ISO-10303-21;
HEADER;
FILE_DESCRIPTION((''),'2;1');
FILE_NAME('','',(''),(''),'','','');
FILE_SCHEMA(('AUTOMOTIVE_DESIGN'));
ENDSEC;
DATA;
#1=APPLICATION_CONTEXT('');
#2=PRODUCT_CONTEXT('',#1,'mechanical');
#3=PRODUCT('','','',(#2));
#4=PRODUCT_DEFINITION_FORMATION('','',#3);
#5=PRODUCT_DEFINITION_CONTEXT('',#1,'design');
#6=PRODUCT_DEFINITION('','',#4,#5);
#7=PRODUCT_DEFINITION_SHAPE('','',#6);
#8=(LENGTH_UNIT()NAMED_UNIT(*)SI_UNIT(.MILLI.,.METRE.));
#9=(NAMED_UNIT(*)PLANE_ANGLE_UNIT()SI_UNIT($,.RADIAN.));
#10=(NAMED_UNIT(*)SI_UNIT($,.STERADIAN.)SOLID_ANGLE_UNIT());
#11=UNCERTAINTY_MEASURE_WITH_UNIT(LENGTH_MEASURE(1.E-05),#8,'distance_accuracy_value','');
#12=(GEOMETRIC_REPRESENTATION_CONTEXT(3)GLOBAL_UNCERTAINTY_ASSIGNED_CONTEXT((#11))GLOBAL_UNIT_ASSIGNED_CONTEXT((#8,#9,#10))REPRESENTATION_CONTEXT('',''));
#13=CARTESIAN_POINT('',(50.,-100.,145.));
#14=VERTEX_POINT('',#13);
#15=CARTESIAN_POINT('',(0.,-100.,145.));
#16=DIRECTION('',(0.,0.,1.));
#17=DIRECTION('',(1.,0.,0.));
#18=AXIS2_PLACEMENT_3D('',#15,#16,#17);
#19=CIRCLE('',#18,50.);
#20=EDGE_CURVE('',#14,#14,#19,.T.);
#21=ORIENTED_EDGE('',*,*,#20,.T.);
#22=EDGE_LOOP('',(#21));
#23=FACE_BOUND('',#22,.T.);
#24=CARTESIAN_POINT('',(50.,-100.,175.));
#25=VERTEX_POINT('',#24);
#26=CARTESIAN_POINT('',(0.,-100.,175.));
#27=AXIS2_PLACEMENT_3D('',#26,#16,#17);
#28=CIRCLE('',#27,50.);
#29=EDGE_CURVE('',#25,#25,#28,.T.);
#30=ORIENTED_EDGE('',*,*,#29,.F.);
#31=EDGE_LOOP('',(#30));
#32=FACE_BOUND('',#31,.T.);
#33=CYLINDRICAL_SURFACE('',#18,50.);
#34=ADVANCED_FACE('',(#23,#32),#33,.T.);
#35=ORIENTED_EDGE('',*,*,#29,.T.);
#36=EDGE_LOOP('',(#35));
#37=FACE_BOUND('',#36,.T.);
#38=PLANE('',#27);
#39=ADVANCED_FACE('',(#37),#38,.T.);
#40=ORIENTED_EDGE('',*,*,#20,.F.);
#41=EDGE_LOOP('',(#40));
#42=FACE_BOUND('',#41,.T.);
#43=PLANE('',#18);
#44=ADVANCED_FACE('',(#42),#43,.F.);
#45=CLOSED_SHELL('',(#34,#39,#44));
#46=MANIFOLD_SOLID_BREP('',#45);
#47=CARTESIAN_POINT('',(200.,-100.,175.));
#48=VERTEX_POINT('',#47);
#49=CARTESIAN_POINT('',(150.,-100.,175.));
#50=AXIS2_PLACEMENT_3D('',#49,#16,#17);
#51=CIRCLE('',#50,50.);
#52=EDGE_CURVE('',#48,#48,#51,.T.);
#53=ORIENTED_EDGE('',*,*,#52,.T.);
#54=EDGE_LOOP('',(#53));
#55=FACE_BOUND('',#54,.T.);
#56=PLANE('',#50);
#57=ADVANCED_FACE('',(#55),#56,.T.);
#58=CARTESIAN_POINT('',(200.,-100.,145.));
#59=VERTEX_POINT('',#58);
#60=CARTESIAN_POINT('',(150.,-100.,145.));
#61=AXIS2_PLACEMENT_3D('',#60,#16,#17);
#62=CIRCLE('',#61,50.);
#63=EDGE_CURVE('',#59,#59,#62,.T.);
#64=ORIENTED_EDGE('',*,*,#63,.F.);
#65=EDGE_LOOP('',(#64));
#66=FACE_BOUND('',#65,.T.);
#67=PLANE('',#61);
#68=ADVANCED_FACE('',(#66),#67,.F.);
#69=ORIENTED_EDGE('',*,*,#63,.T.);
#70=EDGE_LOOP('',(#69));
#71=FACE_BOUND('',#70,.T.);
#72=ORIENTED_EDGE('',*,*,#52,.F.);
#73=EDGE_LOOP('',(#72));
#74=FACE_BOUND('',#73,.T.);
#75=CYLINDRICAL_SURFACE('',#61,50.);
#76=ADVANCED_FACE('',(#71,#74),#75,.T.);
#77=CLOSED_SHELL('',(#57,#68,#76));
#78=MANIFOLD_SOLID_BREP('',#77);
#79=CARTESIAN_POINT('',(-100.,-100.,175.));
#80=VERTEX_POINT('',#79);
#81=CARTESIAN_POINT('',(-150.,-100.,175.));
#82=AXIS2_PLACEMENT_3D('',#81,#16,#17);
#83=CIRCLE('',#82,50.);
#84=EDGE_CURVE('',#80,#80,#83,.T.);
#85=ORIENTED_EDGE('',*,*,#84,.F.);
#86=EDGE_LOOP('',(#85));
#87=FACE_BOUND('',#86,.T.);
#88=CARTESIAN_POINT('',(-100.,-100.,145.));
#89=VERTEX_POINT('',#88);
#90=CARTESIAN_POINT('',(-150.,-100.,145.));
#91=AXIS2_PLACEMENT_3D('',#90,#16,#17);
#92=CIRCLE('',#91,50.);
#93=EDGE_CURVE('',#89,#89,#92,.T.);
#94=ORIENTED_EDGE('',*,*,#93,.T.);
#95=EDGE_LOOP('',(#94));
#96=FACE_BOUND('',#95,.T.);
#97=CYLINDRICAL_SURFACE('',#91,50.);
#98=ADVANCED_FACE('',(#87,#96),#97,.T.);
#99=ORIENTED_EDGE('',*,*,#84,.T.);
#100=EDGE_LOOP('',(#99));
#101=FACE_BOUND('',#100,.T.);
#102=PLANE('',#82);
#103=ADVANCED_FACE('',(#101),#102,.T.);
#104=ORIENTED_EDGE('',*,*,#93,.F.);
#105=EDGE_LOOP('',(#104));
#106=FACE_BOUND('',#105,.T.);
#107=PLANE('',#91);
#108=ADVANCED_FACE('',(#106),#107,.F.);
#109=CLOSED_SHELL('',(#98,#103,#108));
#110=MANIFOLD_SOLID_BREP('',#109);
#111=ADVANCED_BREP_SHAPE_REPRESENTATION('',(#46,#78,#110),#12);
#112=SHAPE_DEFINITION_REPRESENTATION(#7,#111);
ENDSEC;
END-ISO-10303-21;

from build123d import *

# Parameters (mm, degrees)
SKETCH3_R             = 50
BOSS_EXTRUDE1_DEPTH   = 30
BOSS_EXTRUDE1_2_DEPTH = 30
BOSS_EXTRUDE1_3_DEPTH = 30


with BuildPart() as part:
    # Sketch3 → Boss-Extrude1 (new body)
    with BuildSketch(Plane.XY.offset(175)):
        with Locations((150, -100)):
            Circle(SKETCH3_R)
    extrude(amount=-BOSS_EXTRUDE1_DEPTH)


with BuildPart() as body_2:
    # Sketch3 → Boss-Extrude1 2 (new body)
    with BuildSketch(Plane.XY.offset(175)):
        with Locations((0, -100)):
            Circle(SKETCH3_R)
    extrude(amount=-BOSS_EXTRUDE1_2_DEPTH)


with BuildPart() as body_3:
    # Sketch3 → Boss-Extrude1 3 (new body)
    with BuildSketch(Plane.XY.offset(175)):
        with Locations((-150, -100)):
            Circle(SKETCH3_R)
    extrude(amount=-BOSS_EXTRUDE1_3_DEPTH)


solid = Compound([part.part, body_2.part, body_3.part])
